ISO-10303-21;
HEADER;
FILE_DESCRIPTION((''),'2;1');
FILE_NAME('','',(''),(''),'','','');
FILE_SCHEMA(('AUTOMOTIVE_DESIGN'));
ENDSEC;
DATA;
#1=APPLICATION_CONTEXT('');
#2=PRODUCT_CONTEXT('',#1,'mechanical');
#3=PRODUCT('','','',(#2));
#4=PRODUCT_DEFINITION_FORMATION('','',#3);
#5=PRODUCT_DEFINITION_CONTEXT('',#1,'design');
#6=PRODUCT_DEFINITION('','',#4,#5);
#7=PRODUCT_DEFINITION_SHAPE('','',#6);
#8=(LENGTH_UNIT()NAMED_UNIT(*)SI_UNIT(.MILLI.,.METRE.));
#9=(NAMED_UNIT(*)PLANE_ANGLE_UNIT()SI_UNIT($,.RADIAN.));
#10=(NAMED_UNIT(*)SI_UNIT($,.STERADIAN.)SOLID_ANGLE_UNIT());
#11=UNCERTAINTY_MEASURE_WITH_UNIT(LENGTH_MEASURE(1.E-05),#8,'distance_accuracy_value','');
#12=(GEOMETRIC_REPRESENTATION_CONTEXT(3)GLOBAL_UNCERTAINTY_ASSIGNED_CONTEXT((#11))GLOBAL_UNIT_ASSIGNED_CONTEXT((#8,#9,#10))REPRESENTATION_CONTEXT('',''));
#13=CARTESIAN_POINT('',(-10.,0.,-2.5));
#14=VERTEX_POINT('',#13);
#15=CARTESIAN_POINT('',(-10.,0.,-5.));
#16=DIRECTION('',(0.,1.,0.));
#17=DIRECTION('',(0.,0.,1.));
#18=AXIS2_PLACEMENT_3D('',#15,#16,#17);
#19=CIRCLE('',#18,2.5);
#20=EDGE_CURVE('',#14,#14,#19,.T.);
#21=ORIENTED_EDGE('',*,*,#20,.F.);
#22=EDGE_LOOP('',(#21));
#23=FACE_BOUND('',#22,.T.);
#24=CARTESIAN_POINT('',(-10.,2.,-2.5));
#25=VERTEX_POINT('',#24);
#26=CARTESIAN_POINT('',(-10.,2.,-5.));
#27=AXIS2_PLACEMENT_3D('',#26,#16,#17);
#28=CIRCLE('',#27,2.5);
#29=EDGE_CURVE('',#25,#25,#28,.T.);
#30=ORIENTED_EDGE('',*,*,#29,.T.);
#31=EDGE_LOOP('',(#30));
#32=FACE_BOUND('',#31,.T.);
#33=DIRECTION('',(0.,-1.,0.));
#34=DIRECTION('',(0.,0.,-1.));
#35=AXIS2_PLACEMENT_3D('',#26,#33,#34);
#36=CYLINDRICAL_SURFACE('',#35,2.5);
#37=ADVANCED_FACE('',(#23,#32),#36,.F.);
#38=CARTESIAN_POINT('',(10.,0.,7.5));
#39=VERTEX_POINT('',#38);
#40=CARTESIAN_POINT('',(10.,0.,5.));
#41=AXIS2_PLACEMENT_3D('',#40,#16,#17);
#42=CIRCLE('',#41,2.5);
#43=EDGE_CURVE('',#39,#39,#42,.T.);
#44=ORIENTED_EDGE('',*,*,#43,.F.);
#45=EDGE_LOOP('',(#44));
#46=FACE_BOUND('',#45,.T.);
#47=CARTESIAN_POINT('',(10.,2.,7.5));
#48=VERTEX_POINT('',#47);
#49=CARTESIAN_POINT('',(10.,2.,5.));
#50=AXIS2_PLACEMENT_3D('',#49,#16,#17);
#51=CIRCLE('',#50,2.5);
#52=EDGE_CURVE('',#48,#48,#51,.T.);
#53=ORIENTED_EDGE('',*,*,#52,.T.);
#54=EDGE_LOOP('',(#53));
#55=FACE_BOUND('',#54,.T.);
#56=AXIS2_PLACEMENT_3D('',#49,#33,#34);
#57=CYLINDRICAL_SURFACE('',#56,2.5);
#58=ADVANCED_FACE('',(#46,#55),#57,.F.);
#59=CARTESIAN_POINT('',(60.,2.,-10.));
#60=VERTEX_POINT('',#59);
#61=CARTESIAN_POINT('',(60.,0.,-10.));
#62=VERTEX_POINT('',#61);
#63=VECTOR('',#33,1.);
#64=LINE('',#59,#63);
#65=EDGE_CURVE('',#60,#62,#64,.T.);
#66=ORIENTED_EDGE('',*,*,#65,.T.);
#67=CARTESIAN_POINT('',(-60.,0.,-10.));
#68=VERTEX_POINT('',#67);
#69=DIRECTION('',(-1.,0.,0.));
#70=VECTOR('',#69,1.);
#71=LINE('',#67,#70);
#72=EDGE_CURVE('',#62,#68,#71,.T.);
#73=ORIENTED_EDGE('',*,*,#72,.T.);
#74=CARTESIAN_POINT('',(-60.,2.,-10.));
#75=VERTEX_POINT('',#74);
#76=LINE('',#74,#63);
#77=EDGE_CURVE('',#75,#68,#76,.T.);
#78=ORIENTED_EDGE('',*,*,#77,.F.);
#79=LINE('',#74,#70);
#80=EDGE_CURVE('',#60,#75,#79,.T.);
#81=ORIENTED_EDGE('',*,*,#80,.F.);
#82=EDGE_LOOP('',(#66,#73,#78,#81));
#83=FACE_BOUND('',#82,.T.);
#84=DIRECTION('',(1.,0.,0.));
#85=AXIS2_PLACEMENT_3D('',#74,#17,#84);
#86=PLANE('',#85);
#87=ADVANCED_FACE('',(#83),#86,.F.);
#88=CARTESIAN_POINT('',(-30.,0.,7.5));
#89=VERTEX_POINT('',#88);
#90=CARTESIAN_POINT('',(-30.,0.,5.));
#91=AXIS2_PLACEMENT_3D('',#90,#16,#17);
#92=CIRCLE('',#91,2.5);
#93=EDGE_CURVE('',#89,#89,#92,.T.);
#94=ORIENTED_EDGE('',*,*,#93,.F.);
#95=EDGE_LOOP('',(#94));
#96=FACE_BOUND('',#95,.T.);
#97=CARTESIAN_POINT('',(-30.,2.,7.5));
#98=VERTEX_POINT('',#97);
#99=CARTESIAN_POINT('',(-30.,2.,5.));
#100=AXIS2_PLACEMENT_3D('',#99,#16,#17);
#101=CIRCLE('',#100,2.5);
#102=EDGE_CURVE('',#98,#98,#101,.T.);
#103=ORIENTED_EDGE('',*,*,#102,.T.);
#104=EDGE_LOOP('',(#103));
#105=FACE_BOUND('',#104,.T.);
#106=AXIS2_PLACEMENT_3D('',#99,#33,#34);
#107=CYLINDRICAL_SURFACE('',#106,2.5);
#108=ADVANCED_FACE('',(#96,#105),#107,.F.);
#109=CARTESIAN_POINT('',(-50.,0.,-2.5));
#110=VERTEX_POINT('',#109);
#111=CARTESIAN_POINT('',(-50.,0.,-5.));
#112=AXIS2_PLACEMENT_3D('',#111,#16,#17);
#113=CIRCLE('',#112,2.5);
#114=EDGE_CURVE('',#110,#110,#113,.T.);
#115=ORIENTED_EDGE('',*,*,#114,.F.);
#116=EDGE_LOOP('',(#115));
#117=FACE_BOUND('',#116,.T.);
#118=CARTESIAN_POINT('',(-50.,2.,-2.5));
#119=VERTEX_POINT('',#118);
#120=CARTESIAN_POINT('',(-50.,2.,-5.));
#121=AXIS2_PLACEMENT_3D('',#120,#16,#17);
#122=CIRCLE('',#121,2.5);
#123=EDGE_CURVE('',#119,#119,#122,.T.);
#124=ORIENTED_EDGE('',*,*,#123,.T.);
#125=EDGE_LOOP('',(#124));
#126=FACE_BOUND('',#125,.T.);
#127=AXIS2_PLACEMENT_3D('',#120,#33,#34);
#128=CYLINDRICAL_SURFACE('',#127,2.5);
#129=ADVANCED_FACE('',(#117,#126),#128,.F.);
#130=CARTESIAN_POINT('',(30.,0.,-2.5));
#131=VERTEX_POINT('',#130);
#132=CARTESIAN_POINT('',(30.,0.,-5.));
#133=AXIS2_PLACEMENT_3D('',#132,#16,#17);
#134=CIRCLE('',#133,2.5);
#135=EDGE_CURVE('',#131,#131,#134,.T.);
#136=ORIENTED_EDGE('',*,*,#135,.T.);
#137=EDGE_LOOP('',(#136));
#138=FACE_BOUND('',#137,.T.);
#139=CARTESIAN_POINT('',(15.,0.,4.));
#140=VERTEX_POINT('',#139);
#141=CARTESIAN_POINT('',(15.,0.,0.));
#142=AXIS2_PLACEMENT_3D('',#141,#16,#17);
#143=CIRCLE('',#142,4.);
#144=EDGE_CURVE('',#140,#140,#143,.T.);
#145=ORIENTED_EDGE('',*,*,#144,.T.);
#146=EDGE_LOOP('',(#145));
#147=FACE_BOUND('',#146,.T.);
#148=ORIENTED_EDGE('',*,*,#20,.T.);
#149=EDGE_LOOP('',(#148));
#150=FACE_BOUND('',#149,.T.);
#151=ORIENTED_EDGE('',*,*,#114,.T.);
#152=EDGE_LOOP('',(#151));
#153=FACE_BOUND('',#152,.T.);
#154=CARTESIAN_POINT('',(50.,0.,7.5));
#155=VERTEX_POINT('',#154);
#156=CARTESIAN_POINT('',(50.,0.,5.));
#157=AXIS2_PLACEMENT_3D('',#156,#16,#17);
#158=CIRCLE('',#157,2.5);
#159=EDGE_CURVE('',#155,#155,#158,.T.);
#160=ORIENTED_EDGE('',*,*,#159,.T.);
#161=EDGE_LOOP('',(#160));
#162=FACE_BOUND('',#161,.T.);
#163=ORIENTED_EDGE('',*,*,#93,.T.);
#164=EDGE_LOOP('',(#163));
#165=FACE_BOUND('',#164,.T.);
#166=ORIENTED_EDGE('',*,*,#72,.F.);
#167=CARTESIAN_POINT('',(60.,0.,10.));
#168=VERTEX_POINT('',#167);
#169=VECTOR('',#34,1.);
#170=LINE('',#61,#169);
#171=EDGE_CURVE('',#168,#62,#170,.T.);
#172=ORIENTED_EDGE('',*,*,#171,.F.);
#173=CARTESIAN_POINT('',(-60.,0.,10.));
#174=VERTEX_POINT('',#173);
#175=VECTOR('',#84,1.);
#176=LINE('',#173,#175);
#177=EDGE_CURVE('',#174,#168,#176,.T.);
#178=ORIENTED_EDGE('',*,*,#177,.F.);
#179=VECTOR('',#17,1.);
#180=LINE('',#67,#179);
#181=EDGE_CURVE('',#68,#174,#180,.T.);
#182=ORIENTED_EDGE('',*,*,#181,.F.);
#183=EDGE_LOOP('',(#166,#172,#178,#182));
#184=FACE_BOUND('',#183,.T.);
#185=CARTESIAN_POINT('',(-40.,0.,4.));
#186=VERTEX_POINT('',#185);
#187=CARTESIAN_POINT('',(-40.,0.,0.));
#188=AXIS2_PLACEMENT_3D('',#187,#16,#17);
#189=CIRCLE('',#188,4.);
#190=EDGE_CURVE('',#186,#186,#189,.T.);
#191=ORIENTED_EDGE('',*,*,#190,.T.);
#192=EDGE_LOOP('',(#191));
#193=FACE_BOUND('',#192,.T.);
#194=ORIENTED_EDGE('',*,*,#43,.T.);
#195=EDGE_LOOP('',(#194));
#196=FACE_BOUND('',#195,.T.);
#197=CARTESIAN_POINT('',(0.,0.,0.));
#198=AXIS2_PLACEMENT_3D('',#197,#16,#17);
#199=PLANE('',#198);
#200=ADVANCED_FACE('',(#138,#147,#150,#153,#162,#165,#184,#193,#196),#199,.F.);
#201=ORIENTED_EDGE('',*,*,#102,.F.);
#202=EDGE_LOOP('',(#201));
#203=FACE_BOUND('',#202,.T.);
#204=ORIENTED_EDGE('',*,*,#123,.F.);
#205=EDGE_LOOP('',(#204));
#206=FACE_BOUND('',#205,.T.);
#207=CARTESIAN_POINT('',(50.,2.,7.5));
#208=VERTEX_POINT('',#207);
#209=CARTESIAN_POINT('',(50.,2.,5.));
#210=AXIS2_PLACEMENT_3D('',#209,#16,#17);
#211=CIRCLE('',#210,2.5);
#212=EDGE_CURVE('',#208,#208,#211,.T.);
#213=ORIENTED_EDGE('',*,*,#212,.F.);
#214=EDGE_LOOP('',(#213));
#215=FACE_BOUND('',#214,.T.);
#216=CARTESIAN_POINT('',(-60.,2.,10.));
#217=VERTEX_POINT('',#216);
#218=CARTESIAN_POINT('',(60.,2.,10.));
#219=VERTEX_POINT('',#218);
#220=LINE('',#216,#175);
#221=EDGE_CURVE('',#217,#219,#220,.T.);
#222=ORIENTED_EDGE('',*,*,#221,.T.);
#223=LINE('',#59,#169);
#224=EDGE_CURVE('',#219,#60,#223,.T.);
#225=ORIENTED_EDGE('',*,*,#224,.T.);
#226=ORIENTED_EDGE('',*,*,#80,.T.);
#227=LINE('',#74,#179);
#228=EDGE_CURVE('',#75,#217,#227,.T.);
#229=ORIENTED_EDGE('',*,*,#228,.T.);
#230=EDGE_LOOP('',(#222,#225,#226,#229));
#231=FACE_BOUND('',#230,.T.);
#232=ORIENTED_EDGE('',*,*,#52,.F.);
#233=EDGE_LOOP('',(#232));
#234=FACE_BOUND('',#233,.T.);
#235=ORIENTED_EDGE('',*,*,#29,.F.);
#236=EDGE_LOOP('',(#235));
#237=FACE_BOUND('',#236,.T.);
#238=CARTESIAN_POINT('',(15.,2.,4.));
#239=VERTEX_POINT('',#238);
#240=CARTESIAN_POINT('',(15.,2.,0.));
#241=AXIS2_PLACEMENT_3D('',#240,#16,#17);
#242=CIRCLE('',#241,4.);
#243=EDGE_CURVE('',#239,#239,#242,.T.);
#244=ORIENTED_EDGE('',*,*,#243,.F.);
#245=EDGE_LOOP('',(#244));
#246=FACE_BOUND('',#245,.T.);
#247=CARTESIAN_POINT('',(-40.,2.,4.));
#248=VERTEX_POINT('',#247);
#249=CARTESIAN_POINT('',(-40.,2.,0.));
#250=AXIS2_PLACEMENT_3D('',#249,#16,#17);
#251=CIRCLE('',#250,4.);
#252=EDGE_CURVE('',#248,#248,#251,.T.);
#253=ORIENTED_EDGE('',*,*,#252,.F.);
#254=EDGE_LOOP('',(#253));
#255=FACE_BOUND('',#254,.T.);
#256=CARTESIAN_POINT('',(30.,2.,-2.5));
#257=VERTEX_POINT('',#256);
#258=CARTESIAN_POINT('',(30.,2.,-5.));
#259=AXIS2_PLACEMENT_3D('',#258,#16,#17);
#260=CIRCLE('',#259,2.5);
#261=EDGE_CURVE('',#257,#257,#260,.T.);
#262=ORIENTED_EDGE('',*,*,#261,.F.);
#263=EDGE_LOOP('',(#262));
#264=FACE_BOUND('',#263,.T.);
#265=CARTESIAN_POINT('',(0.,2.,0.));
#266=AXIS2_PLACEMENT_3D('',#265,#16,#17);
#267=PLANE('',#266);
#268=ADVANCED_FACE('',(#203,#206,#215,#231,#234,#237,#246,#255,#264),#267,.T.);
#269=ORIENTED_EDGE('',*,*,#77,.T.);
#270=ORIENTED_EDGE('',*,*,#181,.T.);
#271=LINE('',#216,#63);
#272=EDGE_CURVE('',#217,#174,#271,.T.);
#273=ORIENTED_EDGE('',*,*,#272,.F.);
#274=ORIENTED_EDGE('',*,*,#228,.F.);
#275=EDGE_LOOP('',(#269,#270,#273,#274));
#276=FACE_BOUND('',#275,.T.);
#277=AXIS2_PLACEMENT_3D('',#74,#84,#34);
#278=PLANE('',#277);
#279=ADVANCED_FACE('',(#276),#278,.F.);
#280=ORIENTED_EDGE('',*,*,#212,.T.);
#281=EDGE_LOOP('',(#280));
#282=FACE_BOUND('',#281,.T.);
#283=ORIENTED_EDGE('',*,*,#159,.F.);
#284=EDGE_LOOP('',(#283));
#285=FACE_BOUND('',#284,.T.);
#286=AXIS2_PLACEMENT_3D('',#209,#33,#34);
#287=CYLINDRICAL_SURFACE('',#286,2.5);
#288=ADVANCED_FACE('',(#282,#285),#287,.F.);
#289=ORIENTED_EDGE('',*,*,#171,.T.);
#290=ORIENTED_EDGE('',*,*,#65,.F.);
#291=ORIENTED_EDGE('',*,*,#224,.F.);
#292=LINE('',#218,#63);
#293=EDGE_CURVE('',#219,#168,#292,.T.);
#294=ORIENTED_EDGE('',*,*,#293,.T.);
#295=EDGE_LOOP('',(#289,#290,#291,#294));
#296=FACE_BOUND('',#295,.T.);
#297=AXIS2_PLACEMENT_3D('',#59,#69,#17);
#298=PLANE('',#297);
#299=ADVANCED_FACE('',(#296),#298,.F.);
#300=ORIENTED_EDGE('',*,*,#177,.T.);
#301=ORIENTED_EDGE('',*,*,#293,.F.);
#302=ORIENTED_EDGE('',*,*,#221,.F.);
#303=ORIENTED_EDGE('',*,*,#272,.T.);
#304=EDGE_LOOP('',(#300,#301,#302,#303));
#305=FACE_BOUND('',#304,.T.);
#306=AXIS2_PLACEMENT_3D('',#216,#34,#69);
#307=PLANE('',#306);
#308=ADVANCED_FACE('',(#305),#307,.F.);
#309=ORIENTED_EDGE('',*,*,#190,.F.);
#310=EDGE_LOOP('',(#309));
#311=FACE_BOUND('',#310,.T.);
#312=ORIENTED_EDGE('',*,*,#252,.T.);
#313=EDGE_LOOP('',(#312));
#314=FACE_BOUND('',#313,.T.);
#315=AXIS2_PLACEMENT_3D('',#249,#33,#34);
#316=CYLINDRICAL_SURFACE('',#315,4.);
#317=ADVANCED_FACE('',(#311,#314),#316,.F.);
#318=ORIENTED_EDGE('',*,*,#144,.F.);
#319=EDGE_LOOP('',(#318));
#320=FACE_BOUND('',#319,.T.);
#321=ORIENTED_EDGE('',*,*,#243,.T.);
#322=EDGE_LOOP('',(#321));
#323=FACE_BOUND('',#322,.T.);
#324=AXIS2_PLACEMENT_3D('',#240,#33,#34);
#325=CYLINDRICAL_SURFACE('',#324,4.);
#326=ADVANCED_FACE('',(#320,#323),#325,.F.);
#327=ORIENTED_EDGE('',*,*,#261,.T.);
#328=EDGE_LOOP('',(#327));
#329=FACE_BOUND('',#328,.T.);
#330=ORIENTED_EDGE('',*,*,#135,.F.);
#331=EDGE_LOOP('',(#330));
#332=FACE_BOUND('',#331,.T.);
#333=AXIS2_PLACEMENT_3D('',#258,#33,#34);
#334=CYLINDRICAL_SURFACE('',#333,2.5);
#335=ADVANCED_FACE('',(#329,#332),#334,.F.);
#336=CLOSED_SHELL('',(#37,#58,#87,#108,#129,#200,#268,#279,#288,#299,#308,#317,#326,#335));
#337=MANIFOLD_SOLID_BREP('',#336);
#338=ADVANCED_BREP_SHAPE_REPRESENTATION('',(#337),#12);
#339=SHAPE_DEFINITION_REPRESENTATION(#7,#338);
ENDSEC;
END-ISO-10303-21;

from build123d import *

# Parameters (mm, degrees)
SKETCH_2_W      = 120
SKETCH_2_H      = 20
SKETCH_2_R      = 2.5
SKETCH_2_R_2    = 4
EXTRUDE_1_DEPTH = 2


with BuildPart() as part:
    # Эскиз2 → Бобышка-Вытянуть1 (new body)
    with BuildSketch(Plane(origin=(0, 0, 0), x_dir=(1, 0, 0), z_dir=(0, 1, 0))):
        Rectangle(SKETCH_2_W, SKETCH_2_H)
        with Locations(Location((-50, 5, 0), (0, 0, 270))):
            Circle(SKETCH_2_R, mode=Mode.SUBTRACT)
        with Locations(Location((-10, 5, 0), (0, 0, 270))):
            Circle(SKETCH_2_R, mode=Mode.SUBTRACT)
        with Locations(Location((30, 5, 0), (0, 0, 270))):
            Circle(SKETCH_2_R, mode=Mode.SUBTRACT)
        with Locations(Location((-30, -5, 0), (0, 0, 270))):
            Circle(SKETCH_2_R, mode=Mode.SUBTRACT)
        with Locations(Location((10, -5, 0), (0, 0, 270))):
            Circle(SKETCH_2_R, mode=Mode.SUBTRACT)
        with Locations(Location((50, -5, 0), (0, 0, 270))):
            Circle(SKETCH_2_R, mode=Mode.SUBTRACT)
        with Locations(Location((-40, 0, 0), (0, 0, 270))):
            Circle(SKETCH_2_R_2, mode=Mode.SUBTRACT)
        with Locations(Location((15, 0, 0), (0, 0, 270))):
            Circle(SKETCH_2_R_2, mode=Mode.SUBTRACT)
    extrude(amount=EXTRUDE_1_DEPTH)


solid = part.part
